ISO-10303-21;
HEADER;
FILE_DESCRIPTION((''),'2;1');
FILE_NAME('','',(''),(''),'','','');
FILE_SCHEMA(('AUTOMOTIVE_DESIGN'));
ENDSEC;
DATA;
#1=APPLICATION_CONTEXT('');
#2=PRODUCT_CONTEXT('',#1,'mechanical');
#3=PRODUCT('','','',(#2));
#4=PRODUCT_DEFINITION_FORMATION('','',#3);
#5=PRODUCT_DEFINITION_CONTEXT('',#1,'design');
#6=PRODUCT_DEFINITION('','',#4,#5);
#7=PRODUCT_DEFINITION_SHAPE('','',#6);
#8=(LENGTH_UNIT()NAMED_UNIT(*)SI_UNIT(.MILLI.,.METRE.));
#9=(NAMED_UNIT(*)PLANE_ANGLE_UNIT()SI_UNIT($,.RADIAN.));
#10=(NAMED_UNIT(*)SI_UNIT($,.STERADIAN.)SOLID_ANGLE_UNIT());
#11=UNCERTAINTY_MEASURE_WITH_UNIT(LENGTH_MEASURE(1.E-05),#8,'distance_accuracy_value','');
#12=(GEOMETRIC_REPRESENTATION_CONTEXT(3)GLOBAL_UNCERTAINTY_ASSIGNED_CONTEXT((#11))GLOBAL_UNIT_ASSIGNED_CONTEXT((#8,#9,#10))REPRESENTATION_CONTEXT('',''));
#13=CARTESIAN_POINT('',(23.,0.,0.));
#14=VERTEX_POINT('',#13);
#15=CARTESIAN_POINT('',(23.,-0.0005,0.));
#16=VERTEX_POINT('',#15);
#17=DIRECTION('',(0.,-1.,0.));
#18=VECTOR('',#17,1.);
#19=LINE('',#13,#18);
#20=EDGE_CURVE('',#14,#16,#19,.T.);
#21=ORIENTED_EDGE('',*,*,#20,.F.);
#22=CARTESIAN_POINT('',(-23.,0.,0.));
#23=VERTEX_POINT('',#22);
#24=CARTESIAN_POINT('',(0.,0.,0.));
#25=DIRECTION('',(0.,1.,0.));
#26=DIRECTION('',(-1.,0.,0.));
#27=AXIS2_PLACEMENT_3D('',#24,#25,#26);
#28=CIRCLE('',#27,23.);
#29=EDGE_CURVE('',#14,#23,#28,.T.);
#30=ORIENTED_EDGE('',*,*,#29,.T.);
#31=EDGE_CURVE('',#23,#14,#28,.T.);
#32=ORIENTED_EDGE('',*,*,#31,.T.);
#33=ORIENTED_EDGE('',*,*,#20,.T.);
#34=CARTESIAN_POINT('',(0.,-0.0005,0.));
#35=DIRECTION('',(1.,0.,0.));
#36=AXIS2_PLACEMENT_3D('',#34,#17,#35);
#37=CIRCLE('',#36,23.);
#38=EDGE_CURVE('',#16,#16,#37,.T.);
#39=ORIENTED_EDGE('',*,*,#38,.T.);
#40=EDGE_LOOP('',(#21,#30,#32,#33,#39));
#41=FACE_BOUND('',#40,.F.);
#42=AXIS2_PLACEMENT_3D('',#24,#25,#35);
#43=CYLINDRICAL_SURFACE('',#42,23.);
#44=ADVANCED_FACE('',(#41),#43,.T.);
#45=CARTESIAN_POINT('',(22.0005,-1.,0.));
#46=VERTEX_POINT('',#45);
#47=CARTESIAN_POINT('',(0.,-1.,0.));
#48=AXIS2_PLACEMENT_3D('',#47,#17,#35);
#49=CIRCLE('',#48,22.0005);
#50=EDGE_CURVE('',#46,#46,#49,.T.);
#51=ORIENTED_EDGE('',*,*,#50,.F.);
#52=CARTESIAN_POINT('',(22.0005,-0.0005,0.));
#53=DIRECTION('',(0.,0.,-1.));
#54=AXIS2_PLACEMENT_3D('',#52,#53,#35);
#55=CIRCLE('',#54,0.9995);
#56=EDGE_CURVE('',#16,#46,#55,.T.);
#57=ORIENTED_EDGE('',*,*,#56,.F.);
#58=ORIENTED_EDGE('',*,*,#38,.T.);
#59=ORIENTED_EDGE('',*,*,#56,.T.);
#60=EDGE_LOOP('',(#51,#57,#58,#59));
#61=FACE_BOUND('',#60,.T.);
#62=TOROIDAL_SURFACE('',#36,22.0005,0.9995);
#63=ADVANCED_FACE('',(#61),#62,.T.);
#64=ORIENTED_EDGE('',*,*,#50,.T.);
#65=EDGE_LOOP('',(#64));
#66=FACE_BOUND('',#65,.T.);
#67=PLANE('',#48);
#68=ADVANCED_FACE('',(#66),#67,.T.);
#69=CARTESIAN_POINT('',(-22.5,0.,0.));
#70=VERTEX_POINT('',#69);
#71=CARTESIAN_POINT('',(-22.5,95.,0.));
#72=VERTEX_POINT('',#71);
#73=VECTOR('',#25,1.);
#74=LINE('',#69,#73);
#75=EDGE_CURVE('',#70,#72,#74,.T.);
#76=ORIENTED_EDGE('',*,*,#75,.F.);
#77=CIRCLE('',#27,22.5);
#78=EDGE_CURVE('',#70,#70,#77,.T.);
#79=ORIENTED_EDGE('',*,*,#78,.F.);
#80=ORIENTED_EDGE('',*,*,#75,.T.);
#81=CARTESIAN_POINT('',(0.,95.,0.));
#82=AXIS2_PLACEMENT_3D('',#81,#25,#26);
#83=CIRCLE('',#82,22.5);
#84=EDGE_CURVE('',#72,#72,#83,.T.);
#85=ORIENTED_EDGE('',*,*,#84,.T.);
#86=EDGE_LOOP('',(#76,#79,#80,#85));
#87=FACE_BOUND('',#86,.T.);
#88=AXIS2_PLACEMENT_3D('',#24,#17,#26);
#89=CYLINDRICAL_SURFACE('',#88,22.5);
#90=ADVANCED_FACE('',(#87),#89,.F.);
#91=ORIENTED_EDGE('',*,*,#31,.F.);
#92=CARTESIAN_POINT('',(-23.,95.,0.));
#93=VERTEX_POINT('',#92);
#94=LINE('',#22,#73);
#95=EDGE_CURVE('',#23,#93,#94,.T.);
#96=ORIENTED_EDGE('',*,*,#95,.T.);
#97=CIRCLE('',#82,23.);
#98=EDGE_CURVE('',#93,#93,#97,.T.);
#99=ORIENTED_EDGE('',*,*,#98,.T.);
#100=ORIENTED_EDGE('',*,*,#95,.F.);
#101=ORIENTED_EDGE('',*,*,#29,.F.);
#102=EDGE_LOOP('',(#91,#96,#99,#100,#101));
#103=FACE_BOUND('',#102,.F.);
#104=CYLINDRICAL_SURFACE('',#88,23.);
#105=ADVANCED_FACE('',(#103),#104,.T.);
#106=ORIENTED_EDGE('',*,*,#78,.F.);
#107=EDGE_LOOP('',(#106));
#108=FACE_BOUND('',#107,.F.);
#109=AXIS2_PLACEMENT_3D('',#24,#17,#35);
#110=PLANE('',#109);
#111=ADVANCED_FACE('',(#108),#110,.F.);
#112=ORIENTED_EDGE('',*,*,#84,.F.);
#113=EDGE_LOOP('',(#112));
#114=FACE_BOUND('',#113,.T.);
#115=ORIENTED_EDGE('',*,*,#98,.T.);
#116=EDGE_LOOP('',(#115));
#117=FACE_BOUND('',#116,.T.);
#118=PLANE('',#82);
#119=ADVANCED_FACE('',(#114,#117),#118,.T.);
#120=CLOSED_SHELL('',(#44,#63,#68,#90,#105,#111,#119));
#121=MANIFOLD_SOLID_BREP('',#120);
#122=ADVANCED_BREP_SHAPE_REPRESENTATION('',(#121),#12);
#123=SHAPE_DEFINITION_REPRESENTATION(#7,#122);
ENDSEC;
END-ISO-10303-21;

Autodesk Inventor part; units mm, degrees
ref_plane "YZ Plane" through (0, 0, 0) normal (1, 0, 0) x (0, 1, 0)
ref_plane "XZ Plane" through (0, 0, 0) normal (0, 1, 0) x (-1, 0, 0)
ref_plane "XY Plane" through (0, 0, 0) normal (0, 0, 1) x (1, 0, 0)
sketch "Sketch1" plane through (0, 0, 0) normal (0, 1, 0) x (-1, 0, 0)
  circle A0 centre (0, 0) radius 22.5
  circle A1 centre (0, 0) radius 23
  dimension "d0" = 45
  dimension "d1" = 46
extrude "Extrusion1" add sketch "Sketch1" along normal blind 95
sketch "Sketch2" plane through (0, 0, 0) normal (0, -1, 0) x (1, 0, 0)
  circle A0 centre (0, 0) radius 23 projected
  circle A1 centre (0, -23) radius 0.5
  dimension "d8" = 1
sketch "Sketch3" plane through (0, 0, 0) normal (0, -1, 0) x (1, 0, 0)
  circle A0 centre (0, 0) radius 23
  dimension "d4" = 46
extrude "Extrusion2" add sketch "Sketch3" along normal blind 1
fillet "Fillet1" radius 1 1 edges at (-23, -1, 0)
properties part number "Dalek Light 2"
